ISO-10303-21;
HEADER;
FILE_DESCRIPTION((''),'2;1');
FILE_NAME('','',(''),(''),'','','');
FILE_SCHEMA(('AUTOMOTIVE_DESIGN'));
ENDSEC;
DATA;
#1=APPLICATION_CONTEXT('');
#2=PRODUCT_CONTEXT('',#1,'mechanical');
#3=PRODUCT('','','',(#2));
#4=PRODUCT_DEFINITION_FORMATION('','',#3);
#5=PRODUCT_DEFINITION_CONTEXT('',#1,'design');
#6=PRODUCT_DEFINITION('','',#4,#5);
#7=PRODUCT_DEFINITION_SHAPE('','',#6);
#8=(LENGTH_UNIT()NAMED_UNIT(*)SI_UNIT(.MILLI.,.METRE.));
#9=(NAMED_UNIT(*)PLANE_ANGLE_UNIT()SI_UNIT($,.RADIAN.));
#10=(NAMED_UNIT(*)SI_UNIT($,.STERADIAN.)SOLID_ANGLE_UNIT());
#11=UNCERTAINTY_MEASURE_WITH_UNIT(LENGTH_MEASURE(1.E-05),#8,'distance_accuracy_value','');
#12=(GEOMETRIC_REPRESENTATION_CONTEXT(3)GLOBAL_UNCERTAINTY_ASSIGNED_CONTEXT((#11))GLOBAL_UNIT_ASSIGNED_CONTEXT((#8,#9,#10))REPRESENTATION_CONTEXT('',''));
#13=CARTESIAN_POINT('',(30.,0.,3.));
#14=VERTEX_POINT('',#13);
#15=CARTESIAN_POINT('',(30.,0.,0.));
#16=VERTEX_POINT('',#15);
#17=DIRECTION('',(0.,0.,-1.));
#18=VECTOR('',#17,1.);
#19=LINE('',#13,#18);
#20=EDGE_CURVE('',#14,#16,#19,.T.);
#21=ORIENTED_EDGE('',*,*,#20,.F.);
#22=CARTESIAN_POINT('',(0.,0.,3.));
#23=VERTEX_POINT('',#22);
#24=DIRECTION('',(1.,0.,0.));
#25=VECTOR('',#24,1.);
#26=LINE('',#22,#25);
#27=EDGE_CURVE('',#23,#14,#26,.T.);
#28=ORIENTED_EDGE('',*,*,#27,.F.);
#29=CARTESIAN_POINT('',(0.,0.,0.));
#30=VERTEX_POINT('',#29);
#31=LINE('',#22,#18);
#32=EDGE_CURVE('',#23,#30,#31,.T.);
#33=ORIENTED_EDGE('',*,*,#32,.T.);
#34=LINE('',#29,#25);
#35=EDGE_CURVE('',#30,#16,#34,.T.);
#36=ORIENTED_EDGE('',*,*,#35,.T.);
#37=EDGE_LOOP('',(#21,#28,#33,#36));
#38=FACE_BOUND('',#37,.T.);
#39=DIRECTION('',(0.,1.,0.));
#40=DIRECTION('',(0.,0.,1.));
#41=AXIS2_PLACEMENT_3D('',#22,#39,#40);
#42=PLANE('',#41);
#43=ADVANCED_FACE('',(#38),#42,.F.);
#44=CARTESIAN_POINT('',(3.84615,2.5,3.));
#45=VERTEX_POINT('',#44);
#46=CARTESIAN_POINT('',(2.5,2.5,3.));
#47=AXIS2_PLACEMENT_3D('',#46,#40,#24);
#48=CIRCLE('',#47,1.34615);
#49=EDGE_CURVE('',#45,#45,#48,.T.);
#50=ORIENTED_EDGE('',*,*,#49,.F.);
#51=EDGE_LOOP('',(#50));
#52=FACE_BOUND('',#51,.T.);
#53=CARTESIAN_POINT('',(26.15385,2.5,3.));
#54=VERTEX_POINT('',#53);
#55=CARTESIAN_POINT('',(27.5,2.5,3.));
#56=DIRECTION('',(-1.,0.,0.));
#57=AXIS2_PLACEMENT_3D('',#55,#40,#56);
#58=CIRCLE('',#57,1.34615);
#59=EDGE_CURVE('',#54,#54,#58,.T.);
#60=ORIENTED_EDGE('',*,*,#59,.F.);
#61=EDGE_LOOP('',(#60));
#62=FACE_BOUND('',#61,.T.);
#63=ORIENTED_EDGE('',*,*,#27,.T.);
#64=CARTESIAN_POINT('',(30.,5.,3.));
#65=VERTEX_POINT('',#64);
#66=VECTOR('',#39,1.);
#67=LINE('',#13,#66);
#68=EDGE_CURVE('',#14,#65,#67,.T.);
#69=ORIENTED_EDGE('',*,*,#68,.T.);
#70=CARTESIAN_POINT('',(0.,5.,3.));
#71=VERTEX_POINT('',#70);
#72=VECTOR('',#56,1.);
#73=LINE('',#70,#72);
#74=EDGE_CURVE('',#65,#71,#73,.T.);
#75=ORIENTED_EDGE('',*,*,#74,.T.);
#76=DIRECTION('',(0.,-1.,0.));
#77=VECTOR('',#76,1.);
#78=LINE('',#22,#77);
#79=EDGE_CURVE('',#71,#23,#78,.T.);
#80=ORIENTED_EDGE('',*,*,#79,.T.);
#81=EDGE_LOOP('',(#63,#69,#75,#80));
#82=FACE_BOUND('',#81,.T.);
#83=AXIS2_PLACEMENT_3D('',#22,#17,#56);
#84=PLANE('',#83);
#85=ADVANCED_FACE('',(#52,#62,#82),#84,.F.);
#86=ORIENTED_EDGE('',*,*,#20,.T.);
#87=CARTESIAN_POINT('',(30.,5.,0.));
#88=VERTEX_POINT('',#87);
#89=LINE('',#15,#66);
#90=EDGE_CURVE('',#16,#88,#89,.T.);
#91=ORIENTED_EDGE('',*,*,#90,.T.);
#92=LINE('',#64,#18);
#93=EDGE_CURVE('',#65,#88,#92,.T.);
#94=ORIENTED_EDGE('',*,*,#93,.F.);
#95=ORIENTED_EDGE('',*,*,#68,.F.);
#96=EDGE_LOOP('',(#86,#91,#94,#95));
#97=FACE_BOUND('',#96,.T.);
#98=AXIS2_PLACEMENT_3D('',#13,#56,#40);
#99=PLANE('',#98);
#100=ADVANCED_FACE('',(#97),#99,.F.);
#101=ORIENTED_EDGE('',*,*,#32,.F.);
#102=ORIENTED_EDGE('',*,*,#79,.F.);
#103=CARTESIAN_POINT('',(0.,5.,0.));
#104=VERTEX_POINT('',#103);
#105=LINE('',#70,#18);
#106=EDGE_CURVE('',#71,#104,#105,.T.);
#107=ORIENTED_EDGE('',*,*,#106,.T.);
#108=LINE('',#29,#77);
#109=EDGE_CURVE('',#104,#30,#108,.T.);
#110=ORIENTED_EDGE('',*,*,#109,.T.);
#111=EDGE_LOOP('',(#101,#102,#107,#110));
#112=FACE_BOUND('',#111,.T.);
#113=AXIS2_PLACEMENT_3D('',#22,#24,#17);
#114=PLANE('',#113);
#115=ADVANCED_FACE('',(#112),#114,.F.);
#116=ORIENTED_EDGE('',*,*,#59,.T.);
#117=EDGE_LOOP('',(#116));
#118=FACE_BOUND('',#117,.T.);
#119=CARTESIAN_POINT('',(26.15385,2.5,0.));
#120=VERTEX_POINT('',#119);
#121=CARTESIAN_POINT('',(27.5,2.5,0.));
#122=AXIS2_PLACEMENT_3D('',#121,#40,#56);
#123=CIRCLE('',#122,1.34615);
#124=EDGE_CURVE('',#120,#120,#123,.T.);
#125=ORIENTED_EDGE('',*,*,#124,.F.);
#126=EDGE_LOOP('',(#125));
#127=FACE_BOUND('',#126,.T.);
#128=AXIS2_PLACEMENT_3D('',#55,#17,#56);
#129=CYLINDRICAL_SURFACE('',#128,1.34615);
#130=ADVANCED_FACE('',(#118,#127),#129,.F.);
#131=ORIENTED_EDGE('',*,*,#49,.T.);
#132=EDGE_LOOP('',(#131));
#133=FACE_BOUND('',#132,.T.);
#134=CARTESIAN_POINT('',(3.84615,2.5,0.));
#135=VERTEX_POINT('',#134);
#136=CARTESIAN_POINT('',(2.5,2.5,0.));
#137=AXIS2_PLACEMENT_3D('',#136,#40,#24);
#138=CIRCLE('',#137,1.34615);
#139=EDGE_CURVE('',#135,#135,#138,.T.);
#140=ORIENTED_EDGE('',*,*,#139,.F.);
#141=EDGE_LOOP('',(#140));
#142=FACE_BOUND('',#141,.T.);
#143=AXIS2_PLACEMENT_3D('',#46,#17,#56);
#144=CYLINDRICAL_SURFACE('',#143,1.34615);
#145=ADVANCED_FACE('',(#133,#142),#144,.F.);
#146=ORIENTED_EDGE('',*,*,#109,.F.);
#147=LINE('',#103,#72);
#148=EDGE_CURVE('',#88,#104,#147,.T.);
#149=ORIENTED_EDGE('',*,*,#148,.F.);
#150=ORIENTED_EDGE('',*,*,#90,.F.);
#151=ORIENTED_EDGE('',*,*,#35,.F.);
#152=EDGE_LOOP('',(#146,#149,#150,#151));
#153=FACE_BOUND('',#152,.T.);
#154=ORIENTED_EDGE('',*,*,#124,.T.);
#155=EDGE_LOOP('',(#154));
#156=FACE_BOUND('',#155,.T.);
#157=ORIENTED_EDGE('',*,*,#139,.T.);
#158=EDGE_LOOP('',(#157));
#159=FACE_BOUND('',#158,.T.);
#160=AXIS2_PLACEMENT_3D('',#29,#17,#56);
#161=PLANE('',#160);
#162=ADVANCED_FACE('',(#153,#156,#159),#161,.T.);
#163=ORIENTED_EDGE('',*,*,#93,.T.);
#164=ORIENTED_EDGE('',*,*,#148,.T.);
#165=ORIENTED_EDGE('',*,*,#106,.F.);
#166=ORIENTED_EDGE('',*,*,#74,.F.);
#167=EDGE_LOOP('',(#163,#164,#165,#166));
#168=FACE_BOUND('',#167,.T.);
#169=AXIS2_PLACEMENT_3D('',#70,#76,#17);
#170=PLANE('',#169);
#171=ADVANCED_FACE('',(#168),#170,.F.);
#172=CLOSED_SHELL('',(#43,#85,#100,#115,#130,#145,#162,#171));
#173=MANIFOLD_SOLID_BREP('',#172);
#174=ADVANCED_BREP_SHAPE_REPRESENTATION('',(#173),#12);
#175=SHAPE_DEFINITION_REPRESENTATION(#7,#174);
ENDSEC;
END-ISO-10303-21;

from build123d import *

# Parameters (mm, degrees)
ESQUISSE1_W        = 30
ESQUISSE1_H        = 5
ESQUISSE1_R        = 1.346150104
BOSS_EXTRU_1_DEPTH = 3


with BuildPart() as part:
    # Esquisse1 → Boss.-Extru.1 (new body)
    with BuildSketch(Plane.XY):
        with Locations((15, 2.5)):
            Rectangle(ESQUISSE1_W, ESQUISSE1_H)
        with Locations((2.5, 2.5)):
            Circle(ESQUISSE1_R, mode=Mode.SUBTRACT)
        with Locations((27.5, 2.5)):
            Circle(ESQUISSE1_R, mode=Mode.SUBTRACT)
    extrude(amount=BOSS_EXTRU_1_DEPTH)


solid = part.part
